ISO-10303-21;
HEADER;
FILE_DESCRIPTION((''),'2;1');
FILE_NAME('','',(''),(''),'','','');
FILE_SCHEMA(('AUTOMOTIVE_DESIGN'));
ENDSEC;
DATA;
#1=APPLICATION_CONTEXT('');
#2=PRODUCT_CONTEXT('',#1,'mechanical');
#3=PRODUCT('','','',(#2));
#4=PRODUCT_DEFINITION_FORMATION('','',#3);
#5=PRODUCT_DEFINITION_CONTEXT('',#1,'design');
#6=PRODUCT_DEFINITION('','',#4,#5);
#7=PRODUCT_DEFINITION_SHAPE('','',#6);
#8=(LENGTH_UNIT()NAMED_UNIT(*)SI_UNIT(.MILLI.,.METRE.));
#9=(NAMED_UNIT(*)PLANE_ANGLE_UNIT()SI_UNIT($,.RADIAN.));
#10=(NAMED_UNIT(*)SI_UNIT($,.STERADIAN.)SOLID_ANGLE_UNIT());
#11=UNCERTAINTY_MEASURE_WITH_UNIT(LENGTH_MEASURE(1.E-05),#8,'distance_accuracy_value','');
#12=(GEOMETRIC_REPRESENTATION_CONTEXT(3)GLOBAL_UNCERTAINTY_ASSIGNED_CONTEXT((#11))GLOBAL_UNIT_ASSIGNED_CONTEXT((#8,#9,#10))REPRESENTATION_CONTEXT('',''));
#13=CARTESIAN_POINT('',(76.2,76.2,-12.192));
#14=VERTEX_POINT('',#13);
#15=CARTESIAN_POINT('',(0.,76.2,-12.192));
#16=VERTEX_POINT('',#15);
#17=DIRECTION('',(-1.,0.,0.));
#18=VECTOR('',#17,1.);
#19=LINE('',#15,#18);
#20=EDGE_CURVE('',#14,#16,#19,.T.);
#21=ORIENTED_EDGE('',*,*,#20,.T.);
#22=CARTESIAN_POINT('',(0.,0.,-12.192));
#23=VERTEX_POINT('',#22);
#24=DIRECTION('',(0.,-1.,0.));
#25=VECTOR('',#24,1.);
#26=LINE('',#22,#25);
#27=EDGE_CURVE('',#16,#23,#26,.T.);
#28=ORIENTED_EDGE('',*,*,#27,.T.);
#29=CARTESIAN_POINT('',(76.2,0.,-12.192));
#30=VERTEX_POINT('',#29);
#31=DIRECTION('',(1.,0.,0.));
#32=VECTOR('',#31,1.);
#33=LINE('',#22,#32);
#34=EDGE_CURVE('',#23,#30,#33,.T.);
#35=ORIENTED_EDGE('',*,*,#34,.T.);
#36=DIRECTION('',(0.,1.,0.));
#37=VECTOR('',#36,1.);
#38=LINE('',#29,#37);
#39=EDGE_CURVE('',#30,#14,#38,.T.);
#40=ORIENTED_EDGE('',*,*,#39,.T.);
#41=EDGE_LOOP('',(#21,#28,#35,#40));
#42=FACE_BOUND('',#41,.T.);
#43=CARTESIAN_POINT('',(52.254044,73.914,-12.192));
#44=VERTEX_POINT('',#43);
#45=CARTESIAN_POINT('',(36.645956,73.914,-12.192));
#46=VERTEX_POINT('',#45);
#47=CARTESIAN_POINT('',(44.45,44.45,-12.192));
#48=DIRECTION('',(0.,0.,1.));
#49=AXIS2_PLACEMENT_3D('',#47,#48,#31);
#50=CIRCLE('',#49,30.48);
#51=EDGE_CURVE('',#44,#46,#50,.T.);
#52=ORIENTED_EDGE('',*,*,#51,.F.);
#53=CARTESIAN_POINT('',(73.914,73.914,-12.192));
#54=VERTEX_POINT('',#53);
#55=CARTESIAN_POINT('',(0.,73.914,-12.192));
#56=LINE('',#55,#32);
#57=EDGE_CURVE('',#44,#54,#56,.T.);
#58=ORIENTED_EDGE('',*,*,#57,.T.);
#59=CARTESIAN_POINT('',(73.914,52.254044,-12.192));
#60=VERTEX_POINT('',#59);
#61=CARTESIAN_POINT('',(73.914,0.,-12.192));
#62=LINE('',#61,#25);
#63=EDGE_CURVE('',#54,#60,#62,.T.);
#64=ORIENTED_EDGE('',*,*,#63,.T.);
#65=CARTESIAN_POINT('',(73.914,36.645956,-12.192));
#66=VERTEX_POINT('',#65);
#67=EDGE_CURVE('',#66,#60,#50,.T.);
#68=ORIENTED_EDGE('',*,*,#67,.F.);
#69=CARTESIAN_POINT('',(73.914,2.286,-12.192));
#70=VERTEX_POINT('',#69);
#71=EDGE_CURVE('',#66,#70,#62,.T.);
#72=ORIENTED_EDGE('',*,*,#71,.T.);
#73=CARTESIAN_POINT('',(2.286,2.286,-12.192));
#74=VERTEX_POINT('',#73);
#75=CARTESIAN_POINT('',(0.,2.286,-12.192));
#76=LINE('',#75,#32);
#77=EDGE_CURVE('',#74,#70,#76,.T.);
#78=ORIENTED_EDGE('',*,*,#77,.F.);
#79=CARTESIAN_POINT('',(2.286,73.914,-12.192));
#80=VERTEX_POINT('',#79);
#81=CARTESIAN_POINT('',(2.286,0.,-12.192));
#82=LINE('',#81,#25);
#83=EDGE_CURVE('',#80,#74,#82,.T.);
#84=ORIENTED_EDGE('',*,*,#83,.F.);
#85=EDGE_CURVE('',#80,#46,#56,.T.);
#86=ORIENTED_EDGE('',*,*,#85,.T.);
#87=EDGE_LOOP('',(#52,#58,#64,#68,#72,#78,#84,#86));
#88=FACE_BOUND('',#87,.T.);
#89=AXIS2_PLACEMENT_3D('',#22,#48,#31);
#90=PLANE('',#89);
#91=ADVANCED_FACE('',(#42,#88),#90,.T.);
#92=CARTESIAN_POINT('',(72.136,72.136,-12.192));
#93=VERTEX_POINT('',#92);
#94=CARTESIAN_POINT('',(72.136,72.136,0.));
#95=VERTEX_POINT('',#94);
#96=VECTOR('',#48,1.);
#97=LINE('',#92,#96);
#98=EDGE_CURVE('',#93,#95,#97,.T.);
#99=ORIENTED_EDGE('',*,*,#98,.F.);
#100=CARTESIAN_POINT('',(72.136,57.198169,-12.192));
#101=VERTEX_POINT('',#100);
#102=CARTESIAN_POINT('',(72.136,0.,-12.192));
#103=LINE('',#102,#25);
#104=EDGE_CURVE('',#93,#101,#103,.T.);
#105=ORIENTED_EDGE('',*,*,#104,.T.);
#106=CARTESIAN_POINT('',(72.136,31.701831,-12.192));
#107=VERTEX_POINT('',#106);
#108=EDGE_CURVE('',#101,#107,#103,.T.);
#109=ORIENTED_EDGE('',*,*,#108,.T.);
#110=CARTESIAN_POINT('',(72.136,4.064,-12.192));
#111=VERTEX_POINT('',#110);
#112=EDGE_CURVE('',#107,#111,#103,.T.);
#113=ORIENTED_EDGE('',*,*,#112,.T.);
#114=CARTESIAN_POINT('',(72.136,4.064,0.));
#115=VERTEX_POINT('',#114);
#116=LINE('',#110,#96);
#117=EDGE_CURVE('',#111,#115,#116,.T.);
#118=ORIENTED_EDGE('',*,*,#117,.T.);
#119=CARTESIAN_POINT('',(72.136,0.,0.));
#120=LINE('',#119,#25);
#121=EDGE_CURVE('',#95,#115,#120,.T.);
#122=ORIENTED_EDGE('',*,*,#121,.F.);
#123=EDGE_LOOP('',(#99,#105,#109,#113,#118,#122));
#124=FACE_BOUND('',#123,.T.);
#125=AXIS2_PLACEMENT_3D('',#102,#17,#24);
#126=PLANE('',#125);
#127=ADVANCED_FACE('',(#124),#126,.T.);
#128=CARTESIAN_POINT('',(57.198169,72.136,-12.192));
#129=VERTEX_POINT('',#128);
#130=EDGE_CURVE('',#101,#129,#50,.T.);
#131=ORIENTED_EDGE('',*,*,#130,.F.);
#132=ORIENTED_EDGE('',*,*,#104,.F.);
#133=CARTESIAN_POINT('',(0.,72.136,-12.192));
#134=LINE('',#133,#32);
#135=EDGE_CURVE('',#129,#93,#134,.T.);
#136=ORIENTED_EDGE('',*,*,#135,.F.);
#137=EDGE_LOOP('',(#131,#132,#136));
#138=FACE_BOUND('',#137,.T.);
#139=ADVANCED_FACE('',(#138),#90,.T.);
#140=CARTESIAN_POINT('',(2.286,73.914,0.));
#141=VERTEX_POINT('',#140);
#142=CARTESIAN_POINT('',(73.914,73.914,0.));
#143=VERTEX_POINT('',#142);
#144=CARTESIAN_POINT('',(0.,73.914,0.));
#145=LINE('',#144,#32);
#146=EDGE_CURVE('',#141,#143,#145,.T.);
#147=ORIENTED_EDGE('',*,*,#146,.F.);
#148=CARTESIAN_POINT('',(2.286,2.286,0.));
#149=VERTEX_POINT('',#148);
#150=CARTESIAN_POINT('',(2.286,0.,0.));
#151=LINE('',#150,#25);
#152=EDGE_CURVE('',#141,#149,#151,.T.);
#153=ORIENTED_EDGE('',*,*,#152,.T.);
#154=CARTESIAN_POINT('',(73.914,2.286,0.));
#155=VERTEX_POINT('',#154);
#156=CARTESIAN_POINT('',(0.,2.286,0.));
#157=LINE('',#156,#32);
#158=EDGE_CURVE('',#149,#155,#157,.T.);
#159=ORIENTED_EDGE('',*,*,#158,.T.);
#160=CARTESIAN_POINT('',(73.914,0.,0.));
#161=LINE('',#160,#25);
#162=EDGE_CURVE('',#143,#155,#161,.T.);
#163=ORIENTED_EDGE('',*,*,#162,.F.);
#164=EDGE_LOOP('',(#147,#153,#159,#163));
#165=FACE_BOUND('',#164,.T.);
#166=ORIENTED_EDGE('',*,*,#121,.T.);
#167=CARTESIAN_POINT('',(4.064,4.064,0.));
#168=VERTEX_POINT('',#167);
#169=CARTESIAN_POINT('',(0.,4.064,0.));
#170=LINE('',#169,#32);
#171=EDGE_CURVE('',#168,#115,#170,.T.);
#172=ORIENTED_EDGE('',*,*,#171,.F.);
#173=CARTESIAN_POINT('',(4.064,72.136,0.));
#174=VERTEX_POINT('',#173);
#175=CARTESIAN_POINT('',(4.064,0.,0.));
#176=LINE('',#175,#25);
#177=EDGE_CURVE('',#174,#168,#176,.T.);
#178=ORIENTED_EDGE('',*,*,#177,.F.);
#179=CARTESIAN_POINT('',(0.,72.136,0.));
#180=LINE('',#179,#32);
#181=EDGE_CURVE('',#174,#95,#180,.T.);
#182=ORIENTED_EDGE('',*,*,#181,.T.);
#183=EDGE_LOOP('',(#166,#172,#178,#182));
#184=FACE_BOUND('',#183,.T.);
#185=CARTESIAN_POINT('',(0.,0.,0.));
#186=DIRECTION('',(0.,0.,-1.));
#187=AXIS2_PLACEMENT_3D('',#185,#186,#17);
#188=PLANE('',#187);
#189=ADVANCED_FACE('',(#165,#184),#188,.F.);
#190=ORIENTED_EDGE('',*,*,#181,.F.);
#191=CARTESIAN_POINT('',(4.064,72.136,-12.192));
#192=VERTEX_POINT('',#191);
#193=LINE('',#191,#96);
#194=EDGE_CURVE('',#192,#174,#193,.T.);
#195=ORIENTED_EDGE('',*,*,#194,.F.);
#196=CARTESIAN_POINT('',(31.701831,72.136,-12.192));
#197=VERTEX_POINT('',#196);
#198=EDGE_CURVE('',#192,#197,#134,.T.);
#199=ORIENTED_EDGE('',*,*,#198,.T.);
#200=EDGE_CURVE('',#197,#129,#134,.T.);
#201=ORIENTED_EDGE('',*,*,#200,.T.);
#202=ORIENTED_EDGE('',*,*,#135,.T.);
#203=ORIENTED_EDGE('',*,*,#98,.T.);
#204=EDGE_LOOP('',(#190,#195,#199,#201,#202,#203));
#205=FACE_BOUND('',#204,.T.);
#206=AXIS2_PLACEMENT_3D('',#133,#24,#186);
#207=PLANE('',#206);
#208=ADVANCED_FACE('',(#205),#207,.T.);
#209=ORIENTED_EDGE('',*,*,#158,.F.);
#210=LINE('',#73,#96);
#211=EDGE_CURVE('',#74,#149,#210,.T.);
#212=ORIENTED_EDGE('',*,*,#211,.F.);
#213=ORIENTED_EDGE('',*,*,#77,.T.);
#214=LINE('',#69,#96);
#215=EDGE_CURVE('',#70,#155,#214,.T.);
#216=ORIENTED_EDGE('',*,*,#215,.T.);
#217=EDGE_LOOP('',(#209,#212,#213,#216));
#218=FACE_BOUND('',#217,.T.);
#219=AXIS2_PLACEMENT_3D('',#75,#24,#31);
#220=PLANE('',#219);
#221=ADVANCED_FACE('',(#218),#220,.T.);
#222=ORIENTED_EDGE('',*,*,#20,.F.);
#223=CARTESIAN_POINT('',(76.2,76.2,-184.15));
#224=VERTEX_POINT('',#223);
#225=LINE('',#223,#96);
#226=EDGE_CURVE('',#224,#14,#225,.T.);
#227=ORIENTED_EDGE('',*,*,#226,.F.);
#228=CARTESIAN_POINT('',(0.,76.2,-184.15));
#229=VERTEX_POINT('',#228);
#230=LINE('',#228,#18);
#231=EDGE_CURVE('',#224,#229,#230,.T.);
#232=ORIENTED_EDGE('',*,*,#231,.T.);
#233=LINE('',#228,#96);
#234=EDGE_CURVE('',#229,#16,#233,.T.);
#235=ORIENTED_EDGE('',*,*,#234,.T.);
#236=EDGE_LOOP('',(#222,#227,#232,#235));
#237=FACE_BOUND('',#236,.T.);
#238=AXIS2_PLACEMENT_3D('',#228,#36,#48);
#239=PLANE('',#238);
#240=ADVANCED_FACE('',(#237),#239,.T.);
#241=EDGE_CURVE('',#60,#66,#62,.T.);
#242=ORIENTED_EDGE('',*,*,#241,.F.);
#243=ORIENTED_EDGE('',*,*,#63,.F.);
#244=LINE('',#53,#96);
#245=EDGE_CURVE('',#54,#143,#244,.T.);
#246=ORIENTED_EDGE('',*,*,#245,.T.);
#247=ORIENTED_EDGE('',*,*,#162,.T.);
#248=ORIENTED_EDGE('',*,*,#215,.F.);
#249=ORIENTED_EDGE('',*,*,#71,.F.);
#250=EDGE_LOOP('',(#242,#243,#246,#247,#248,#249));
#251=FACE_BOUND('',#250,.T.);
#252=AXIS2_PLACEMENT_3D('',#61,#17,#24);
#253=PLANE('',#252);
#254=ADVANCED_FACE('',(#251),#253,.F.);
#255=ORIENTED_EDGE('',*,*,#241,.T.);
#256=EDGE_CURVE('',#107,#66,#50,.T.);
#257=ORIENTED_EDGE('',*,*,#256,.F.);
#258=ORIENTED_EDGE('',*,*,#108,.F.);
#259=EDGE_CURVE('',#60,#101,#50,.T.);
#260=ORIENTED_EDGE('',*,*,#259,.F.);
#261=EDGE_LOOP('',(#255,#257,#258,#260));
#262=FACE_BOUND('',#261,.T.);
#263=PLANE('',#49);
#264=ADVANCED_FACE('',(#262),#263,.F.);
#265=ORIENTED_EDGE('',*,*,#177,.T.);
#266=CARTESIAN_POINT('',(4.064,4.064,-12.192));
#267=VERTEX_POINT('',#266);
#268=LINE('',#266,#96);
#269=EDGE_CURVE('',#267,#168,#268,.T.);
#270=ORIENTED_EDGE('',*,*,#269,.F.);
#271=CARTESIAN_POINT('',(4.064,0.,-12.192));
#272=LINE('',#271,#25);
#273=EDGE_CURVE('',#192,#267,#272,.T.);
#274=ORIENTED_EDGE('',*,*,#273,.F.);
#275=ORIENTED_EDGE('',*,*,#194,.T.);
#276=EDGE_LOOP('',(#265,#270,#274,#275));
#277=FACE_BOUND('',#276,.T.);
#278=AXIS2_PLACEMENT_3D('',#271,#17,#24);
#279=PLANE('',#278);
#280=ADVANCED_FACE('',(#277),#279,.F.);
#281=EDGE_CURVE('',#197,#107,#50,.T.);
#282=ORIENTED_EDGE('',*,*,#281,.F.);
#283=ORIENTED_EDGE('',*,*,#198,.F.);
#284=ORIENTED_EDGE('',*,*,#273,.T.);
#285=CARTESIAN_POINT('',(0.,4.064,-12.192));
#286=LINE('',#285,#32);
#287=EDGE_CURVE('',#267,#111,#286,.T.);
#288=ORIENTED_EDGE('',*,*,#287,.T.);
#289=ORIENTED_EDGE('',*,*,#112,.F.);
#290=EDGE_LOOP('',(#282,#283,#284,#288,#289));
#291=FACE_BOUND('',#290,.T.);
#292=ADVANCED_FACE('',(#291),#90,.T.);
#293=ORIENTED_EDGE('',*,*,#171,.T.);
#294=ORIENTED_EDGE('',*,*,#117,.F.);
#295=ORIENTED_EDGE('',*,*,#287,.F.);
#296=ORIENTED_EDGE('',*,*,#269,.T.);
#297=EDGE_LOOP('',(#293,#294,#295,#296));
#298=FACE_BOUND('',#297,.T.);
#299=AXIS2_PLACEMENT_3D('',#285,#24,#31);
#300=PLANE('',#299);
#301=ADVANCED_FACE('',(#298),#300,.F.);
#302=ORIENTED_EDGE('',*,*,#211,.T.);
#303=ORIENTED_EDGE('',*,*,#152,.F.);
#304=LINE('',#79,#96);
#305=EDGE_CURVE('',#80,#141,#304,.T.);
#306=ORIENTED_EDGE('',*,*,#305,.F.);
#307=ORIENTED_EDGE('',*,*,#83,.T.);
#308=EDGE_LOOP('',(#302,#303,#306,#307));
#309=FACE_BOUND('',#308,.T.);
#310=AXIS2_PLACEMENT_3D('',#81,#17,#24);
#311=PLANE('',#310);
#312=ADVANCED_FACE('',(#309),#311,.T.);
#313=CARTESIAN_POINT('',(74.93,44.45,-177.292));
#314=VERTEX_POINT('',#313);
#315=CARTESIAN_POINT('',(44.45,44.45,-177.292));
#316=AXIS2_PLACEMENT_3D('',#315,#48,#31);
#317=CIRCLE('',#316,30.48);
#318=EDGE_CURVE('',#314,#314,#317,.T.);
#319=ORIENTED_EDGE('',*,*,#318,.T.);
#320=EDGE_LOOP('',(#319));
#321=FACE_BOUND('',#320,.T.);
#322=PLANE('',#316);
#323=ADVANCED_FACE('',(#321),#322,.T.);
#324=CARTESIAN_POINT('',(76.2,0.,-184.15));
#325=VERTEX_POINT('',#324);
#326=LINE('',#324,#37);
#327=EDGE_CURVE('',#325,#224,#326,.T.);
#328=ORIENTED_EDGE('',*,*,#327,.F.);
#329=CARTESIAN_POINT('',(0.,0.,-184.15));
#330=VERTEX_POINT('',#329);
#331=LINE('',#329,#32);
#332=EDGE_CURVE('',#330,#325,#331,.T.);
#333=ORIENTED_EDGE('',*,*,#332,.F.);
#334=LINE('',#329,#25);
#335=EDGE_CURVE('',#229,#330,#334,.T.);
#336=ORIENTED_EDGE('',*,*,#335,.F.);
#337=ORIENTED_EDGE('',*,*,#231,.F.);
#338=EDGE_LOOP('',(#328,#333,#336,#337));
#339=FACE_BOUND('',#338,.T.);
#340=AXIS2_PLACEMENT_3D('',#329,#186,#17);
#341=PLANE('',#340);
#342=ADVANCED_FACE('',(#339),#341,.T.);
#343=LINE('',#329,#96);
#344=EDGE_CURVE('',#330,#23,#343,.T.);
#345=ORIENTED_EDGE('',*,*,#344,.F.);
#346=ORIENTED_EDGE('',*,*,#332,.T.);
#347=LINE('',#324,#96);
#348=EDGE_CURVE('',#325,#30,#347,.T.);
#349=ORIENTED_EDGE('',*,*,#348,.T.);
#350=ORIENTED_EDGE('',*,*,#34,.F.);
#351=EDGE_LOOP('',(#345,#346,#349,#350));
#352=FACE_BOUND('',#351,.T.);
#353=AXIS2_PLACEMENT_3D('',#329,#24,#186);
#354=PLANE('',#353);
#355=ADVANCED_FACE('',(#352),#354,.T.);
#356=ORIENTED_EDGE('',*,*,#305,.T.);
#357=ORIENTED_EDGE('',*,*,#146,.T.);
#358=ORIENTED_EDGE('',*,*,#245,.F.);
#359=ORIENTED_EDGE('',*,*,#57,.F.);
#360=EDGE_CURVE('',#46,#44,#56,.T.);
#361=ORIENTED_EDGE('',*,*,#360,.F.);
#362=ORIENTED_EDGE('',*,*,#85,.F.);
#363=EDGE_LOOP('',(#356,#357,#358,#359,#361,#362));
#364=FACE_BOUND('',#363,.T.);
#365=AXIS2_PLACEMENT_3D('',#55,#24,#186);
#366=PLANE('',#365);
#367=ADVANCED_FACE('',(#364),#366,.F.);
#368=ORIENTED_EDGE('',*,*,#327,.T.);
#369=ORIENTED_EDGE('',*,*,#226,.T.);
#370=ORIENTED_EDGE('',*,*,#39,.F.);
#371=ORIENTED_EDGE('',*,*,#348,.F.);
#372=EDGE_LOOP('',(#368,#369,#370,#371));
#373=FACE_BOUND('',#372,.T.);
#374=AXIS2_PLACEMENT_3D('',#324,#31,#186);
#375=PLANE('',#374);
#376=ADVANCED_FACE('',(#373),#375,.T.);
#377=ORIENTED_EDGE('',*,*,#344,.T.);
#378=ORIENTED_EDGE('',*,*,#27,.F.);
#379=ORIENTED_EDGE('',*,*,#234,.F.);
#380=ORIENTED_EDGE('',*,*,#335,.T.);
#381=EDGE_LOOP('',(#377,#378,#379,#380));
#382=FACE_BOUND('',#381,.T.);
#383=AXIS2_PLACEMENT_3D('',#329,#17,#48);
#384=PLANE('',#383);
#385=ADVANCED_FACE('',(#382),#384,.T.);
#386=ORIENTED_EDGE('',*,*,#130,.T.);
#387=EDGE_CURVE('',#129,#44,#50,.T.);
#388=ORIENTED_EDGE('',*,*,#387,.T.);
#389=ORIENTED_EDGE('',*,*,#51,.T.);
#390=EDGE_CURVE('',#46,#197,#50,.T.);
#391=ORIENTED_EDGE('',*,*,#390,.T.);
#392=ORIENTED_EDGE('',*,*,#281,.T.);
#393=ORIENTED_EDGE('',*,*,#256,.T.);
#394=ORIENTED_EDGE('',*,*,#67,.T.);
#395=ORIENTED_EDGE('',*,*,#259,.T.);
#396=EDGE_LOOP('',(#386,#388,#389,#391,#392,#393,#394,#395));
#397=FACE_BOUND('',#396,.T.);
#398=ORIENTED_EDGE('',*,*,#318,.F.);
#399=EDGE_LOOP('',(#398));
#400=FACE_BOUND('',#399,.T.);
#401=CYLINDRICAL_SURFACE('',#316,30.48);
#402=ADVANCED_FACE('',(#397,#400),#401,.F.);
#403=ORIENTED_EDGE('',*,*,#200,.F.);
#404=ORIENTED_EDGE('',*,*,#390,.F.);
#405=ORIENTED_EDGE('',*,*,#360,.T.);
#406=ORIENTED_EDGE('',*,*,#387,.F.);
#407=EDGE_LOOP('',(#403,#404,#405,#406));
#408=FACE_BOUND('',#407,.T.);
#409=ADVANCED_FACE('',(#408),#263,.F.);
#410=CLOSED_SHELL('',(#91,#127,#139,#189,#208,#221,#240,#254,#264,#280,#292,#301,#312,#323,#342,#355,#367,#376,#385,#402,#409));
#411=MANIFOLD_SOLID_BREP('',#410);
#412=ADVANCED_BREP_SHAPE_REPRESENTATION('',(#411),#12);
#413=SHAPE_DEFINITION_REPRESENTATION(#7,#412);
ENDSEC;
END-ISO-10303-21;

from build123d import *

# Parameters (mm, degrees)
SKETCH1_W           = 76.2
SKETCH1_H           = 76.2
BOSS_EXTRUDE1_DEPTH = 184.15
SKETCH3_W           = 76.2
SKETCH3_H           = 76.2
SKETCH3_W_2         = 71.628
SKETCH3_H_2         = 71.628
SKETCH3_W_3         = 68.072
SKETCH3_H_3         = 68.072
CUT_EXTRUDE2_DEPTH  = 12.192
SKETCH4_R           = 30.48
CUT_EXTRUDE4_DEPTH  = 165.1


with BuildPart() as part:
    # Sketch1 → Boss-Extrude1 (new body)
    with BuildSketch(Plane.XY):
        with Locations((38.1, 38.1)):
            Rectangle(SKETCH1_W, SKETCH1_H)
    extrude(amount=-BOSS_EXTRUDE1_DEPTH)

    # Sketch3 → Cut-Extrude2 (cut)
    # profile 1 of 2: a face of its own
    with BuildSketch(Plane.XY):
        with Locations((38.1, 38.1)):
            Rectangle(SKETCH3_W, SKETCH3_H)
        with Locations((38.1, 38.1)):
            Rectangle(SKETCH3_W_2, SKETCH3_H_2, mode=Mode.SUBTRACT)
    # profile 2 of 2: a face of its own
    with BuildSketch(Plane.XY):
        with Locations((38.1, 38.1)):
            Rectangle(SKETCH3_W_3, SKETCH3_H_3)
    extrude(amount=-CUT_EXTRUDE2_DEPTH, mode=Mode.SUBTRACT)

    # Sketch4 → Cut-Extrude4 (cut)
    with BuildSketch(Plane.XY.offset(-12.192)):
        with Locations((44.45, 44.45)):
            Circle(SKETCH4_R)
    extrude(amount=-CUT_EXTRUDE4_DEPTH, mode=Mode.SUBTRACT)


solid = part.part
